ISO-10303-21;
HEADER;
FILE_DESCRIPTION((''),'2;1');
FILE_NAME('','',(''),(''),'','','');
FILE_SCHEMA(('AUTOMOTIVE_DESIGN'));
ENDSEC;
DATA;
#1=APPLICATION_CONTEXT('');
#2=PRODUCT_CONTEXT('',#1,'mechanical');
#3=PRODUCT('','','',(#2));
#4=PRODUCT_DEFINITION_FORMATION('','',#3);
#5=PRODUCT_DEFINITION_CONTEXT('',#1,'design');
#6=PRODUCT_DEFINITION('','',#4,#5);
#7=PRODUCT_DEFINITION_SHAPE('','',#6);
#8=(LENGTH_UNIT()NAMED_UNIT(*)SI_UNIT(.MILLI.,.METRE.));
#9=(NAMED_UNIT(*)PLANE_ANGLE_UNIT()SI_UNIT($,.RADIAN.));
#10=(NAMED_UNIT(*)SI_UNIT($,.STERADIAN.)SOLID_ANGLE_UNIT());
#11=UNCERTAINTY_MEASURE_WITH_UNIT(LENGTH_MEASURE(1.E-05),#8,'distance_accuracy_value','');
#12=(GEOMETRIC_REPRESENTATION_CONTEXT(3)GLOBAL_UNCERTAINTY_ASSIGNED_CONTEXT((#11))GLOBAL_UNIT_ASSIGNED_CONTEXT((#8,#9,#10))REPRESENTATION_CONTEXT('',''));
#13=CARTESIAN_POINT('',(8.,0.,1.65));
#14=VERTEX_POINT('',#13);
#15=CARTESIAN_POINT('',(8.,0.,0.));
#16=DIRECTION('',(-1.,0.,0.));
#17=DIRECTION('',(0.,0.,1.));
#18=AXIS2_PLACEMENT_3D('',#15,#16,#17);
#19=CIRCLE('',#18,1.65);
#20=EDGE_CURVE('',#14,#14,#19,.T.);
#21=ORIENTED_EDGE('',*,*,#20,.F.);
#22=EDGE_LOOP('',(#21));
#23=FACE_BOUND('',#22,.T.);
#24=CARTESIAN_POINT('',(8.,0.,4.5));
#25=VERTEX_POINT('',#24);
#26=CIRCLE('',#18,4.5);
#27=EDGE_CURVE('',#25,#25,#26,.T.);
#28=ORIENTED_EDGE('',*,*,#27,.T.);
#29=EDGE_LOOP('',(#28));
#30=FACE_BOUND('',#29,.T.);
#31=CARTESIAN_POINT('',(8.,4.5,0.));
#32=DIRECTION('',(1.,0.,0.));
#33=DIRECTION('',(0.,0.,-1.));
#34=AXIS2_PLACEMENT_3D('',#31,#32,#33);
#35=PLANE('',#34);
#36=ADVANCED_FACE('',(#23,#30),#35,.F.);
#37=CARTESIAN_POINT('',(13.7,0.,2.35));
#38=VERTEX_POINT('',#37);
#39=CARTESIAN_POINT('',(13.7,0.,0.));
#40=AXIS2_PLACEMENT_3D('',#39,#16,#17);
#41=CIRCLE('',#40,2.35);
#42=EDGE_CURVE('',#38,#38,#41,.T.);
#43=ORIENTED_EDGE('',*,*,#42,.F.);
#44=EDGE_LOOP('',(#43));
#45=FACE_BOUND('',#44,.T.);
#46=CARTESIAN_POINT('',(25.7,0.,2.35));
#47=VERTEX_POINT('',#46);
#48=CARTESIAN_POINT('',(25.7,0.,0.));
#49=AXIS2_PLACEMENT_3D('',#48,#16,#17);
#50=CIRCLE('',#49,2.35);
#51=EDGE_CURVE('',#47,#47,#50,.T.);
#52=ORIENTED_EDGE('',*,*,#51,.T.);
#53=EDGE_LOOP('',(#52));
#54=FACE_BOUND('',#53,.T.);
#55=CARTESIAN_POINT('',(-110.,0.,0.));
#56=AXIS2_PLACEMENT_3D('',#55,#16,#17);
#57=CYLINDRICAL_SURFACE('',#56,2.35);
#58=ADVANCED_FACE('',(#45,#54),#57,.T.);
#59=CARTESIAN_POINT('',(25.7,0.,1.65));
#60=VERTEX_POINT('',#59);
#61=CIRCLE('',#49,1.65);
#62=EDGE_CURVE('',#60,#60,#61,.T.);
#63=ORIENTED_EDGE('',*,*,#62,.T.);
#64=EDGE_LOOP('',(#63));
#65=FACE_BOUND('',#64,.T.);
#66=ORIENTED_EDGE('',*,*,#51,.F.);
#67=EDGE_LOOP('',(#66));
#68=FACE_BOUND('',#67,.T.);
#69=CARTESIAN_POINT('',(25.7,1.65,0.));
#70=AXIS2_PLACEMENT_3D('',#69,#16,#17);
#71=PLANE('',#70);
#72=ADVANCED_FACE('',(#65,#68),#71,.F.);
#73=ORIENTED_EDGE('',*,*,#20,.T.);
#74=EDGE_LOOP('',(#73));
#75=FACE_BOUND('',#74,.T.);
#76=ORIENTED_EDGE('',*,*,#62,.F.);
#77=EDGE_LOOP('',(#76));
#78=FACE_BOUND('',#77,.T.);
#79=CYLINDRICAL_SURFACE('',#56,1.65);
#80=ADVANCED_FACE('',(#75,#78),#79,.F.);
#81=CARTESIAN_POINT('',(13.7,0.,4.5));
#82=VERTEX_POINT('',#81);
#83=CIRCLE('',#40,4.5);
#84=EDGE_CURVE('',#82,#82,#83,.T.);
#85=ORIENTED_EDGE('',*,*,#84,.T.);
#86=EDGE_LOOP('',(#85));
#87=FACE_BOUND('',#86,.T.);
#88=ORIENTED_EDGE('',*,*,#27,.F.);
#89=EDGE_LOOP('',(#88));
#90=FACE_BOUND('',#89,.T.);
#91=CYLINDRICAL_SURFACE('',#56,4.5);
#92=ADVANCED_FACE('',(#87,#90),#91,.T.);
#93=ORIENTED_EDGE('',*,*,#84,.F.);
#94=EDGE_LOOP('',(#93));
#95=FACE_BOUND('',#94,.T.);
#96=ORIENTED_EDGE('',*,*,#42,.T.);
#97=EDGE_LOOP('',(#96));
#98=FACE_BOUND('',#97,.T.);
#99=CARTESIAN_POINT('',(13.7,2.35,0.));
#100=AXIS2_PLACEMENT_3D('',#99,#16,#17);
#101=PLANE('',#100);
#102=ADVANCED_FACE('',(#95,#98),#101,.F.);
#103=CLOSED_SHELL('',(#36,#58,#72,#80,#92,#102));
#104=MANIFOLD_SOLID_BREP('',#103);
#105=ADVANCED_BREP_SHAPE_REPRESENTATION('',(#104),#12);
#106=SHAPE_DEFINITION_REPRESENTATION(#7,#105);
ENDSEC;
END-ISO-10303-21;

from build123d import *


with BuildPart() as part:
    # Axial profile (mm) → Full revolution (revolve)
    with BuildSketch(Plane.XY, mode=Mode.PRIVATE) as full_revolution_sk:
        Polygon((8, 1.65), (25.7, 1.65), (25.7, 2.35), (13.7, 2.35), (13.7, 4.5), (8, 4.5), align=None)
    revolve(full_revolution_sk.sketch.rotate(Axis((-110, 0, 0), (1, 0, 0)), 90), axis=Axis((-110, 0, 0), (1, 0, 0)))


solid = part.part
